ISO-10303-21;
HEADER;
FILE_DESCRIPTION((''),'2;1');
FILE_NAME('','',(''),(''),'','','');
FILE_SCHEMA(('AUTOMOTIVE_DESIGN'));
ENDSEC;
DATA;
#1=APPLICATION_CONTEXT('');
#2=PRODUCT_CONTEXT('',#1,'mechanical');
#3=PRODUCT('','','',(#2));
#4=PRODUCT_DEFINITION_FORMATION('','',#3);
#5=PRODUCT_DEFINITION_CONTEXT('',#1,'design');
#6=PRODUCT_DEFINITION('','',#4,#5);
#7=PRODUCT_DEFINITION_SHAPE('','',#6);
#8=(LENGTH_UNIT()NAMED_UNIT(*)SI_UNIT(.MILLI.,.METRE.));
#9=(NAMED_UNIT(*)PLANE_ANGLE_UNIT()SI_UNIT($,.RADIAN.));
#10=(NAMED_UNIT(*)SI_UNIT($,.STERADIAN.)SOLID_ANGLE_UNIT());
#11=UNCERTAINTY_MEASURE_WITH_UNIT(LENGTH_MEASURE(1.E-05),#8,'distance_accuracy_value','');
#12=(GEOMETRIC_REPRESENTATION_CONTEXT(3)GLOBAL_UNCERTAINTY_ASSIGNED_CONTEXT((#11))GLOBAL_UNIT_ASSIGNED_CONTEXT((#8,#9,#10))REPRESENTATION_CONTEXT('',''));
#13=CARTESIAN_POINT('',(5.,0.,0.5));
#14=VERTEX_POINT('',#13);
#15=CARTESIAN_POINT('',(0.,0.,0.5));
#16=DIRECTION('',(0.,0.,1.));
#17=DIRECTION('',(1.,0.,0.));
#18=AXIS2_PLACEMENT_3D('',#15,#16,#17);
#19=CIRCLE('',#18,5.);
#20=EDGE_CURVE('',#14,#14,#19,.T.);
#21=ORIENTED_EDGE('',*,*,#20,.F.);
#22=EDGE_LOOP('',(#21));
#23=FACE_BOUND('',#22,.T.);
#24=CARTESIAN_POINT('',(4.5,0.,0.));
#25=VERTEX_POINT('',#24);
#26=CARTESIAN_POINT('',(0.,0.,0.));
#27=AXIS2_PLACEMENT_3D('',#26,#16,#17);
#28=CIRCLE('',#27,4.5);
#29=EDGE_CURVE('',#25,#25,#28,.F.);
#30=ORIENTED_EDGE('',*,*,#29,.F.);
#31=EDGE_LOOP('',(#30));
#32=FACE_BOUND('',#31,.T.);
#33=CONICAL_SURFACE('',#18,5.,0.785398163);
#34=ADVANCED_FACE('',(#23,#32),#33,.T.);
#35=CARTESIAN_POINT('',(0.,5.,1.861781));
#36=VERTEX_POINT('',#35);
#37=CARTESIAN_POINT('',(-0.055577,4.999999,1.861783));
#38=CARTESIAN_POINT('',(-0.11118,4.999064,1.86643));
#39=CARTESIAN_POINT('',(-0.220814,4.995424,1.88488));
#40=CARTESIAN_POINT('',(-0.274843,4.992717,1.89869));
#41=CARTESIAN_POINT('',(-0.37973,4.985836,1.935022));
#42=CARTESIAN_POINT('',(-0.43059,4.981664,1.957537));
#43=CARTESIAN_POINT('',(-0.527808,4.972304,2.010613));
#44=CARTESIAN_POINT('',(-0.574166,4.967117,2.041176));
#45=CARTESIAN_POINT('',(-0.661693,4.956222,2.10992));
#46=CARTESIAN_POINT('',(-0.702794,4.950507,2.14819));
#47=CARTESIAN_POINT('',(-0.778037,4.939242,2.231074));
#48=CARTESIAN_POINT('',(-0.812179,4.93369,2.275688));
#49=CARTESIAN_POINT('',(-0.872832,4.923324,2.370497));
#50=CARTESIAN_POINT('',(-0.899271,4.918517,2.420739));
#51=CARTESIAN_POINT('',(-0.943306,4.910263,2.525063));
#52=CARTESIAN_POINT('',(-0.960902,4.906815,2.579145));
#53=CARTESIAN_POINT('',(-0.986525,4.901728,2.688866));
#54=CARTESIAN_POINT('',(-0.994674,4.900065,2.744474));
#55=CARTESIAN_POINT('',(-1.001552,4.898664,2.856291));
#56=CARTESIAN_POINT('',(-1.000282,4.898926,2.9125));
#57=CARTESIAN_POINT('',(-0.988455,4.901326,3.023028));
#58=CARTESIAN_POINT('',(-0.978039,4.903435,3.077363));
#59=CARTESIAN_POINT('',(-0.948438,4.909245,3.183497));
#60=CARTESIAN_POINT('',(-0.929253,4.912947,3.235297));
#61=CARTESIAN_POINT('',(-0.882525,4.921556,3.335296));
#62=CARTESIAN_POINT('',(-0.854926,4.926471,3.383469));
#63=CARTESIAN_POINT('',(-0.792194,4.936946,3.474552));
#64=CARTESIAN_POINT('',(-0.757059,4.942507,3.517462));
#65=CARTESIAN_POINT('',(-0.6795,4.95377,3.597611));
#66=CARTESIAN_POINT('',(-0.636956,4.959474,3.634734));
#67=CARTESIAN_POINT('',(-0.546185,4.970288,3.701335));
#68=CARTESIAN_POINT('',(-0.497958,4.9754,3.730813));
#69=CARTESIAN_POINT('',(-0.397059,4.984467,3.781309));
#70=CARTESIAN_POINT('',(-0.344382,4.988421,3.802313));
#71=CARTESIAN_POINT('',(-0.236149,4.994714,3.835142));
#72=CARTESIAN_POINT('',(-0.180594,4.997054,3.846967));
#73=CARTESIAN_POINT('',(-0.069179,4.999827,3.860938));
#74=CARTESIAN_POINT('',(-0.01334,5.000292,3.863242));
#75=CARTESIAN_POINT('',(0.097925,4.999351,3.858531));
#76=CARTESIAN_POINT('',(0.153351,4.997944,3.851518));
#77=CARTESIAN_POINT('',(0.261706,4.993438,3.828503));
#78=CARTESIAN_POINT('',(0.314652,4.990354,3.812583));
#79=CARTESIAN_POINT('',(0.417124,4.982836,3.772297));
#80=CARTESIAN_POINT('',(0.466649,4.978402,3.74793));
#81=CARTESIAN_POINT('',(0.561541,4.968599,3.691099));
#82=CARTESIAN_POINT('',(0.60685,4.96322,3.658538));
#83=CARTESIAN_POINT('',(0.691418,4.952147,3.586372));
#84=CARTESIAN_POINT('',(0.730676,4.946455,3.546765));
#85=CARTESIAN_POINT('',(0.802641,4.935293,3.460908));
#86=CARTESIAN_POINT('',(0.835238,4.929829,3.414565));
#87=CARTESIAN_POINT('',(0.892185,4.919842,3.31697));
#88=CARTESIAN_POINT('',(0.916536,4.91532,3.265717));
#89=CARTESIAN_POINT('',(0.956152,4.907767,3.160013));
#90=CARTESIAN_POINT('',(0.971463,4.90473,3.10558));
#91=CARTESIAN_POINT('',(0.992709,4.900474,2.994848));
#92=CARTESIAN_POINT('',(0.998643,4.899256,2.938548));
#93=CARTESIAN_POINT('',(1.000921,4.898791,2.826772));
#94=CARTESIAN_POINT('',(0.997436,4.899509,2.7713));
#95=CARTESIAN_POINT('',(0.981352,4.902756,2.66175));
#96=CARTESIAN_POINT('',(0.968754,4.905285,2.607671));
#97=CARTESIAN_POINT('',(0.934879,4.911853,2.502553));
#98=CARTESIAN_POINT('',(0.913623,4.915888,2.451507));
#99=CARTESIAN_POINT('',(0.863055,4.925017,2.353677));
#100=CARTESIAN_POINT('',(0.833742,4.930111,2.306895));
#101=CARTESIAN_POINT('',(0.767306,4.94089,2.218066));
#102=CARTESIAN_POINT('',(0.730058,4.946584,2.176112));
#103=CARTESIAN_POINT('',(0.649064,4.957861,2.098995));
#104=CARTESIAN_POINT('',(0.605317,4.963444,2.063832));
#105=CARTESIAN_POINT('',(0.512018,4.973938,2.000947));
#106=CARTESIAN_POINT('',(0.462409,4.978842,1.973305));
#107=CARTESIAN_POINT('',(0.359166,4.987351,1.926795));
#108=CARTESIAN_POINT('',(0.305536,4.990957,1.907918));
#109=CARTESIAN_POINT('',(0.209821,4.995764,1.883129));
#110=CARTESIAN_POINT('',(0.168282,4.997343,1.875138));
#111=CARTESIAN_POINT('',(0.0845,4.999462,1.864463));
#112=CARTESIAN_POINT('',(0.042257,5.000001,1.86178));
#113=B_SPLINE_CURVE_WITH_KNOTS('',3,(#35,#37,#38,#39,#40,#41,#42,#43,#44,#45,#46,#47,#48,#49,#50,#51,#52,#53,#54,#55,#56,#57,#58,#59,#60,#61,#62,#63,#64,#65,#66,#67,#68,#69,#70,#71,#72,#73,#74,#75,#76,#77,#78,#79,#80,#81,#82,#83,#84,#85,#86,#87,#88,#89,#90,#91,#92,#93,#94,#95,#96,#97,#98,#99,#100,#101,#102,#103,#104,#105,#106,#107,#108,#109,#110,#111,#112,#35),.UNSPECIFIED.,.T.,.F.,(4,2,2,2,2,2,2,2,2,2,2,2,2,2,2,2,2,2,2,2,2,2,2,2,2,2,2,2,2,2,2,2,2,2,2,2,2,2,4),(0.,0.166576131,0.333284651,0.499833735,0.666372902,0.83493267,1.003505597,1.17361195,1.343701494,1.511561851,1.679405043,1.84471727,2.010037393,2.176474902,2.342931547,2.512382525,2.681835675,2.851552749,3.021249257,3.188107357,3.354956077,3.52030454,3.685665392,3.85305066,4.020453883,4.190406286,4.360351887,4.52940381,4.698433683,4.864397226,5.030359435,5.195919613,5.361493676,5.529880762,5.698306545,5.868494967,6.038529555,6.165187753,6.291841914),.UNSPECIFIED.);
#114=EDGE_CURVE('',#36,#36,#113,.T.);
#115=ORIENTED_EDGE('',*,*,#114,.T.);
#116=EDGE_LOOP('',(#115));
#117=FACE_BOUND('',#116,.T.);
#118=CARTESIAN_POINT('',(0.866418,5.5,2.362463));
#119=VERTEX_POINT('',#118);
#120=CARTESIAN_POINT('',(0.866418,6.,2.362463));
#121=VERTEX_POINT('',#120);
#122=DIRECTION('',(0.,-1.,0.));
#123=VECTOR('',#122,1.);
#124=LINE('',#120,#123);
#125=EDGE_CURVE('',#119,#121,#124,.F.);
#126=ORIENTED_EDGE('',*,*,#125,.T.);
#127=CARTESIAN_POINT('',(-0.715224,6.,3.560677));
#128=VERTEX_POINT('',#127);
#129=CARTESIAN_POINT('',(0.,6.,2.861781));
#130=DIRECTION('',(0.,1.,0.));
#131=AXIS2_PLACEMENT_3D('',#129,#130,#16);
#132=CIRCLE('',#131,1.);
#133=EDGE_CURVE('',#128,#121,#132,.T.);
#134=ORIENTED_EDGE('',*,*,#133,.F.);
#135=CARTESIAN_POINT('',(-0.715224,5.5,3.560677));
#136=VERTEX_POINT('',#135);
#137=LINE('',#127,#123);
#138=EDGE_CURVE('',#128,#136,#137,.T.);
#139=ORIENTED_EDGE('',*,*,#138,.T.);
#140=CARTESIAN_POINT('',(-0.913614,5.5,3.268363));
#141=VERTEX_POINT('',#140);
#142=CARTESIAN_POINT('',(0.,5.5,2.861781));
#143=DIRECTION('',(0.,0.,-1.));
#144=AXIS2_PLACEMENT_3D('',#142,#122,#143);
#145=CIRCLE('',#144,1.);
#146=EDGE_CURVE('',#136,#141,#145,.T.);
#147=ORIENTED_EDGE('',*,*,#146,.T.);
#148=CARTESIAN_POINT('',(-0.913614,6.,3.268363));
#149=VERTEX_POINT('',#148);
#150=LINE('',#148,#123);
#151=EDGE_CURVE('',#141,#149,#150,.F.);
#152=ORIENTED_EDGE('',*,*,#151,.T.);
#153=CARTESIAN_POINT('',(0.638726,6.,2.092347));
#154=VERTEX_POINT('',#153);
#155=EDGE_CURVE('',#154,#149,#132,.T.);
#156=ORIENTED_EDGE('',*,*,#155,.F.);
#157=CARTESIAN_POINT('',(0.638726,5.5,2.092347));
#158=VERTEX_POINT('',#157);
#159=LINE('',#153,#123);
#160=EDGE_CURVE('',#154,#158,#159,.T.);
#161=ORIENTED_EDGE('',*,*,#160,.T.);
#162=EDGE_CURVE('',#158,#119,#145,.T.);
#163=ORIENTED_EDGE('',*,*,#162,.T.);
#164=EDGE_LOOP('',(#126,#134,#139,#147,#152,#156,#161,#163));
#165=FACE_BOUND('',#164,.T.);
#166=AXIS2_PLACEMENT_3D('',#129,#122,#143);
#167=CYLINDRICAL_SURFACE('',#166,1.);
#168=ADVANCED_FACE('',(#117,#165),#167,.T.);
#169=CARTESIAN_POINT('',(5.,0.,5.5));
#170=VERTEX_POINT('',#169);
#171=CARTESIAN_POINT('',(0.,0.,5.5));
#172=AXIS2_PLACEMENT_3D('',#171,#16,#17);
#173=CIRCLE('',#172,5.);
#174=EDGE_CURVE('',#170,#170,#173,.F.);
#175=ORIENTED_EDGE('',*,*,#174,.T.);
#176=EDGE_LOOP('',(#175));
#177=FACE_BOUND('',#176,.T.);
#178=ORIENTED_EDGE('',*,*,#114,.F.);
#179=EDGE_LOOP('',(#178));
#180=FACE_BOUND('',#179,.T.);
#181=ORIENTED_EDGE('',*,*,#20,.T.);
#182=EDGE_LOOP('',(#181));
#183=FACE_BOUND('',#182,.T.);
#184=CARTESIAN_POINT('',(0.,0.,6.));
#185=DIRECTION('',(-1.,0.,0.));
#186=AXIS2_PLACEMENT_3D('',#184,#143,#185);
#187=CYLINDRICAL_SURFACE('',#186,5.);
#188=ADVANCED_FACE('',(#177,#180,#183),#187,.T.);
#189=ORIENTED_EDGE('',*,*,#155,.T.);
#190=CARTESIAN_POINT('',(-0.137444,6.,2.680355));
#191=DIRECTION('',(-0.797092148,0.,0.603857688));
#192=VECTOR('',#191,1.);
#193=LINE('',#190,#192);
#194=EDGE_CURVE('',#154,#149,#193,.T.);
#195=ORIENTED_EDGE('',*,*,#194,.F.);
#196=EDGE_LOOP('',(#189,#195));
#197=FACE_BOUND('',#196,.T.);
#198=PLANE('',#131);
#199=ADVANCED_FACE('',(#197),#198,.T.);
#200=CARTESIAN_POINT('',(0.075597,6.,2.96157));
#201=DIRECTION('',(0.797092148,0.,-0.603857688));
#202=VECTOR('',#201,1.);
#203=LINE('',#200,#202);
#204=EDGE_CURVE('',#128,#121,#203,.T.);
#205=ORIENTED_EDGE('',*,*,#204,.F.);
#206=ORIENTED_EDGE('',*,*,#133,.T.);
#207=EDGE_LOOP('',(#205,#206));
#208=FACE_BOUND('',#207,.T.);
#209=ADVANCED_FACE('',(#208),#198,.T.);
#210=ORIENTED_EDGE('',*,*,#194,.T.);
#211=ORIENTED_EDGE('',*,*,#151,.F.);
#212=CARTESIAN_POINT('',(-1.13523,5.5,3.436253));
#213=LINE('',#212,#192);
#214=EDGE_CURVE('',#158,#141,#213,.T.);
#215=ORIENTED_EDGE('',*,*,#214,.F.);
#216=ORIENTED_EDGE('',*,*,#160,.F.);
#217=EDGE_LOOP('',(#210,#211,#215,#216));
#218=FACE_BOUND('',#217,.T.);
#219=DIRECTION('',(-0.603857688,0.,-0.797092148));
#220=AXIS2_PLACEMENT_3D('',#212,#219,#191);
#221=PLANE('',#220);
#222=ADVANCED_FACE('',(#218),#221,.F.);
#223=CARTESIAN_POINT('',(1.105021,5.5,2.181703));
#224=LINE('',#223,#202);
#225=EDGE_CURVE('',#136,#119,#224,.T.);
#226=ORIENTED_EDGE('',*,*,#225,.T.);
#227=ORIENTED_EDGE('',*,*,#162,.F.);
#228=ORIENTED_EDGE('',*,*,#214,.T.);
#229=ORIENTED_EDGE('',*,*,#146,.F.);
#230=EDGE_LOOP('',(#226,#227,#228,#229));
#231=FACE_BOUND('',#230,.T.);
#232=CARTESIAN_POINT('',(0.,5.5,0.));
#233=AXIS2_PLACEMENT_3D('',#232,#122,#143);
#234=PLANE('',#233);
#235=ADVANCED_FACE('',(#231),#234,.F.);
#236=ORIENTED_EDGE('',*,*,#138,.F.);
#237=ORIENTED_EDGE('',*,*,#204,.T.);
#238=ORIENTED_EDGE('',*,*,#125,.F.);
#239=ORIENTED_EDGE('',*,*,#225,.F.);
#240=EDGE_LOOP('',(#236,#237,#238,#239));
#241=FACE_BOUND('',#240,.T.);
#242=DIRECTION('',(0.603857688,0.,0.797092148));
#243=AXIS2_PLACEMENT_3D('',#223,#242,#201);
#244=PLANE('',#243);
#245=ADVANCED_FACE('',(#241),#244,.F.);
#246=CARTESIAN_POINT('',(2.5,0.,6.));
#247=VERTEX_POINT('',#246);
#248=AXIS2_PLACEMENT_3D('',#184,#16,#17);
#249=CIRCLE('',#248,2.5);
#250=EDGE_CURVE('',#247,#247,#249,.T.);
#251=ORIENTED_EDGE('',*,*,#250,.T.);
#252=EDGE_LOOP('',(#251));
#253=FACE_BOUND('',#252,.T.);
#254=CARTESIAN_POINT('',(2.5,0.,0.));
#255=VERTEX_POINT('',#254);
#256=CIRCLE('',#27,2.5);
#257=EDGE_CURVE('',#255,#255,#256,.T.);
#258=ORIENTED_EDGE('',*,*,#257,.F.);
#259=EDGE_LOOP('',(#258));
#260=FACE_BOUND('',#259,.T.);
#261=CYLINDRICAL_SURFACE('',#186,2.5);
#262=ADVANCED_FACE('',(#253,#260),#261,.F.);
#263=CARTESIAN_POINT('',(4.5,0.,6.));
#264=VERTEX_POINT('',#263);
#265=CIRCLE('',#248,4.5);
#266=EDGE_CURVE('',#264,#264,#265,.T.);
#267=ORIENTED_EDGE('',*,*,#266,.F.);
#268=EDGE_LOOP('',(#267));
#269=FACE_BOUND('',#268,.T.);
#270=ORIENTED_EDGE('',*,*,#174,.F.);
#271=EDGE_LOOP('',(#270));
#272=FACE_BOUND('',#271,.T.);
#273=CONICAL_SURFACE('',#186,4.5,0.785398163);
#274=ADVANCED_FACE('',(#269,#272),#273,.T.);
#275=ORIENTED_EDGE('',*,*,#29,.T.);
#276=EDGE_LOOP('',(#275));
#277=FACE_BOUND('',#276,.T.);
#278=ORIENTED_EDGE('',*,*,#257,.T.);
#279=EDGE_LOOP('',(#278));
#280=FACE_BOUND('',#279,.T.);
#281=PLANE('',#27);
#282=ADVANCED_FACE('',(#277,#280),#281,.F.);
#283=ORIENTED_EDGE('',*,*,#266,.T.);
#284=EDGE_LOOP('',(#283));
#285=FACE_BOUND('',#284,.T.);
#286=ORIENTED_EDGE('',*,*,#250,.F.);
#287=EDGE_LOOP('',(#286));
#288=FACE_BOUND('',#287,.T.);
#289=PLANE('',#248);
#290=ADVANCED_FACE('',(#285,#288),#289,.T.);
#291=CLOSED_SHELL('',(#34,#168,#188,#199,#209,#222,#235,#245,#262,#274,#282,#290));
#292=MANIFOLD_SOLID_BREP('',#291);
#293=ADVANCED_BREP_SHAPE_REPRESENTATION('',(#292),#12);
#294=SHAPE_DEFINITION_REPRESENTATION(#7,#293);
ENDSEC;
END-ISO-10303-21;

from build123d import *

# Parameters (mm, degrees)
SKETCH2_R           = 5
SKETCH2_R_2         = 2.5
BOSS_EXTRUDE1_DEPTH = 6
CHAMFER1_SIZE       = 0.5
SKETCH4_R           = 1
BOSS_EXTRUDE2_DEPTH = 2
CUT_EXTRUDE2_DEPTH  = 0.5
CHAMFER2_SIZE       = 0.5


with BuildPart() as part:
    # Sketch2 → Boss-Extrude1 (new body)
    with BuildSketch(Plane.XY):
        Circle(SKETCH2_R)
        Circle(SKETCH2_R_2, mode=Mode.SUBTRACT)
    extrude(amount=BOSS_EXTRUDE1_DEPTH)

    # Chamfer1
    chamfer1_edges = [part.edges().sort_by_distance(p)[0] for p in [
        (-5, 0, 6),
    ]]
    chamfer(chamfer1_edges, length=CHAMFER1_SIZE)

    # Sketch4 → Boss-Extrude2 (add)
    with BuildSketch(Plane(origin=(0, 4, 0), x_dir=(1, 0, 0), z_dir=(0, 1, 0))):
        with Locations(Location((0, -2.861781198, 0), (0, 0, 90))):
            Circle(SKETCH4_R)
    extrude(amount=BOSS_EXTRUDE2_DEPTH)

    # Sketch5 → Cut-Extrude2 (cut)
    with BuildSketch(Plane(origin=(0, 6, 0), x_dir=(1, 0, 0), z_dir=(0, 1, 0))):
        Polygon((-1.135229539, -3.436253086), (0.891979559, -1.900488617), (1.105020903, -2.181703191), (-0.922188195, -3.71746766), align=None)
    extrude(amount=-CUT_EXTRUDE2_DEPTH, mode=Mode.SUBTRACT)

    # Chamfer2
    chamfer2_edges = [part.edges().sort_by_distance(p)[0] for p in [
        (-5, 0, 0),
    ]]
    chamfer(chamfer2_edges, length=CHAMFER2_SIZE)


solid = part.part
